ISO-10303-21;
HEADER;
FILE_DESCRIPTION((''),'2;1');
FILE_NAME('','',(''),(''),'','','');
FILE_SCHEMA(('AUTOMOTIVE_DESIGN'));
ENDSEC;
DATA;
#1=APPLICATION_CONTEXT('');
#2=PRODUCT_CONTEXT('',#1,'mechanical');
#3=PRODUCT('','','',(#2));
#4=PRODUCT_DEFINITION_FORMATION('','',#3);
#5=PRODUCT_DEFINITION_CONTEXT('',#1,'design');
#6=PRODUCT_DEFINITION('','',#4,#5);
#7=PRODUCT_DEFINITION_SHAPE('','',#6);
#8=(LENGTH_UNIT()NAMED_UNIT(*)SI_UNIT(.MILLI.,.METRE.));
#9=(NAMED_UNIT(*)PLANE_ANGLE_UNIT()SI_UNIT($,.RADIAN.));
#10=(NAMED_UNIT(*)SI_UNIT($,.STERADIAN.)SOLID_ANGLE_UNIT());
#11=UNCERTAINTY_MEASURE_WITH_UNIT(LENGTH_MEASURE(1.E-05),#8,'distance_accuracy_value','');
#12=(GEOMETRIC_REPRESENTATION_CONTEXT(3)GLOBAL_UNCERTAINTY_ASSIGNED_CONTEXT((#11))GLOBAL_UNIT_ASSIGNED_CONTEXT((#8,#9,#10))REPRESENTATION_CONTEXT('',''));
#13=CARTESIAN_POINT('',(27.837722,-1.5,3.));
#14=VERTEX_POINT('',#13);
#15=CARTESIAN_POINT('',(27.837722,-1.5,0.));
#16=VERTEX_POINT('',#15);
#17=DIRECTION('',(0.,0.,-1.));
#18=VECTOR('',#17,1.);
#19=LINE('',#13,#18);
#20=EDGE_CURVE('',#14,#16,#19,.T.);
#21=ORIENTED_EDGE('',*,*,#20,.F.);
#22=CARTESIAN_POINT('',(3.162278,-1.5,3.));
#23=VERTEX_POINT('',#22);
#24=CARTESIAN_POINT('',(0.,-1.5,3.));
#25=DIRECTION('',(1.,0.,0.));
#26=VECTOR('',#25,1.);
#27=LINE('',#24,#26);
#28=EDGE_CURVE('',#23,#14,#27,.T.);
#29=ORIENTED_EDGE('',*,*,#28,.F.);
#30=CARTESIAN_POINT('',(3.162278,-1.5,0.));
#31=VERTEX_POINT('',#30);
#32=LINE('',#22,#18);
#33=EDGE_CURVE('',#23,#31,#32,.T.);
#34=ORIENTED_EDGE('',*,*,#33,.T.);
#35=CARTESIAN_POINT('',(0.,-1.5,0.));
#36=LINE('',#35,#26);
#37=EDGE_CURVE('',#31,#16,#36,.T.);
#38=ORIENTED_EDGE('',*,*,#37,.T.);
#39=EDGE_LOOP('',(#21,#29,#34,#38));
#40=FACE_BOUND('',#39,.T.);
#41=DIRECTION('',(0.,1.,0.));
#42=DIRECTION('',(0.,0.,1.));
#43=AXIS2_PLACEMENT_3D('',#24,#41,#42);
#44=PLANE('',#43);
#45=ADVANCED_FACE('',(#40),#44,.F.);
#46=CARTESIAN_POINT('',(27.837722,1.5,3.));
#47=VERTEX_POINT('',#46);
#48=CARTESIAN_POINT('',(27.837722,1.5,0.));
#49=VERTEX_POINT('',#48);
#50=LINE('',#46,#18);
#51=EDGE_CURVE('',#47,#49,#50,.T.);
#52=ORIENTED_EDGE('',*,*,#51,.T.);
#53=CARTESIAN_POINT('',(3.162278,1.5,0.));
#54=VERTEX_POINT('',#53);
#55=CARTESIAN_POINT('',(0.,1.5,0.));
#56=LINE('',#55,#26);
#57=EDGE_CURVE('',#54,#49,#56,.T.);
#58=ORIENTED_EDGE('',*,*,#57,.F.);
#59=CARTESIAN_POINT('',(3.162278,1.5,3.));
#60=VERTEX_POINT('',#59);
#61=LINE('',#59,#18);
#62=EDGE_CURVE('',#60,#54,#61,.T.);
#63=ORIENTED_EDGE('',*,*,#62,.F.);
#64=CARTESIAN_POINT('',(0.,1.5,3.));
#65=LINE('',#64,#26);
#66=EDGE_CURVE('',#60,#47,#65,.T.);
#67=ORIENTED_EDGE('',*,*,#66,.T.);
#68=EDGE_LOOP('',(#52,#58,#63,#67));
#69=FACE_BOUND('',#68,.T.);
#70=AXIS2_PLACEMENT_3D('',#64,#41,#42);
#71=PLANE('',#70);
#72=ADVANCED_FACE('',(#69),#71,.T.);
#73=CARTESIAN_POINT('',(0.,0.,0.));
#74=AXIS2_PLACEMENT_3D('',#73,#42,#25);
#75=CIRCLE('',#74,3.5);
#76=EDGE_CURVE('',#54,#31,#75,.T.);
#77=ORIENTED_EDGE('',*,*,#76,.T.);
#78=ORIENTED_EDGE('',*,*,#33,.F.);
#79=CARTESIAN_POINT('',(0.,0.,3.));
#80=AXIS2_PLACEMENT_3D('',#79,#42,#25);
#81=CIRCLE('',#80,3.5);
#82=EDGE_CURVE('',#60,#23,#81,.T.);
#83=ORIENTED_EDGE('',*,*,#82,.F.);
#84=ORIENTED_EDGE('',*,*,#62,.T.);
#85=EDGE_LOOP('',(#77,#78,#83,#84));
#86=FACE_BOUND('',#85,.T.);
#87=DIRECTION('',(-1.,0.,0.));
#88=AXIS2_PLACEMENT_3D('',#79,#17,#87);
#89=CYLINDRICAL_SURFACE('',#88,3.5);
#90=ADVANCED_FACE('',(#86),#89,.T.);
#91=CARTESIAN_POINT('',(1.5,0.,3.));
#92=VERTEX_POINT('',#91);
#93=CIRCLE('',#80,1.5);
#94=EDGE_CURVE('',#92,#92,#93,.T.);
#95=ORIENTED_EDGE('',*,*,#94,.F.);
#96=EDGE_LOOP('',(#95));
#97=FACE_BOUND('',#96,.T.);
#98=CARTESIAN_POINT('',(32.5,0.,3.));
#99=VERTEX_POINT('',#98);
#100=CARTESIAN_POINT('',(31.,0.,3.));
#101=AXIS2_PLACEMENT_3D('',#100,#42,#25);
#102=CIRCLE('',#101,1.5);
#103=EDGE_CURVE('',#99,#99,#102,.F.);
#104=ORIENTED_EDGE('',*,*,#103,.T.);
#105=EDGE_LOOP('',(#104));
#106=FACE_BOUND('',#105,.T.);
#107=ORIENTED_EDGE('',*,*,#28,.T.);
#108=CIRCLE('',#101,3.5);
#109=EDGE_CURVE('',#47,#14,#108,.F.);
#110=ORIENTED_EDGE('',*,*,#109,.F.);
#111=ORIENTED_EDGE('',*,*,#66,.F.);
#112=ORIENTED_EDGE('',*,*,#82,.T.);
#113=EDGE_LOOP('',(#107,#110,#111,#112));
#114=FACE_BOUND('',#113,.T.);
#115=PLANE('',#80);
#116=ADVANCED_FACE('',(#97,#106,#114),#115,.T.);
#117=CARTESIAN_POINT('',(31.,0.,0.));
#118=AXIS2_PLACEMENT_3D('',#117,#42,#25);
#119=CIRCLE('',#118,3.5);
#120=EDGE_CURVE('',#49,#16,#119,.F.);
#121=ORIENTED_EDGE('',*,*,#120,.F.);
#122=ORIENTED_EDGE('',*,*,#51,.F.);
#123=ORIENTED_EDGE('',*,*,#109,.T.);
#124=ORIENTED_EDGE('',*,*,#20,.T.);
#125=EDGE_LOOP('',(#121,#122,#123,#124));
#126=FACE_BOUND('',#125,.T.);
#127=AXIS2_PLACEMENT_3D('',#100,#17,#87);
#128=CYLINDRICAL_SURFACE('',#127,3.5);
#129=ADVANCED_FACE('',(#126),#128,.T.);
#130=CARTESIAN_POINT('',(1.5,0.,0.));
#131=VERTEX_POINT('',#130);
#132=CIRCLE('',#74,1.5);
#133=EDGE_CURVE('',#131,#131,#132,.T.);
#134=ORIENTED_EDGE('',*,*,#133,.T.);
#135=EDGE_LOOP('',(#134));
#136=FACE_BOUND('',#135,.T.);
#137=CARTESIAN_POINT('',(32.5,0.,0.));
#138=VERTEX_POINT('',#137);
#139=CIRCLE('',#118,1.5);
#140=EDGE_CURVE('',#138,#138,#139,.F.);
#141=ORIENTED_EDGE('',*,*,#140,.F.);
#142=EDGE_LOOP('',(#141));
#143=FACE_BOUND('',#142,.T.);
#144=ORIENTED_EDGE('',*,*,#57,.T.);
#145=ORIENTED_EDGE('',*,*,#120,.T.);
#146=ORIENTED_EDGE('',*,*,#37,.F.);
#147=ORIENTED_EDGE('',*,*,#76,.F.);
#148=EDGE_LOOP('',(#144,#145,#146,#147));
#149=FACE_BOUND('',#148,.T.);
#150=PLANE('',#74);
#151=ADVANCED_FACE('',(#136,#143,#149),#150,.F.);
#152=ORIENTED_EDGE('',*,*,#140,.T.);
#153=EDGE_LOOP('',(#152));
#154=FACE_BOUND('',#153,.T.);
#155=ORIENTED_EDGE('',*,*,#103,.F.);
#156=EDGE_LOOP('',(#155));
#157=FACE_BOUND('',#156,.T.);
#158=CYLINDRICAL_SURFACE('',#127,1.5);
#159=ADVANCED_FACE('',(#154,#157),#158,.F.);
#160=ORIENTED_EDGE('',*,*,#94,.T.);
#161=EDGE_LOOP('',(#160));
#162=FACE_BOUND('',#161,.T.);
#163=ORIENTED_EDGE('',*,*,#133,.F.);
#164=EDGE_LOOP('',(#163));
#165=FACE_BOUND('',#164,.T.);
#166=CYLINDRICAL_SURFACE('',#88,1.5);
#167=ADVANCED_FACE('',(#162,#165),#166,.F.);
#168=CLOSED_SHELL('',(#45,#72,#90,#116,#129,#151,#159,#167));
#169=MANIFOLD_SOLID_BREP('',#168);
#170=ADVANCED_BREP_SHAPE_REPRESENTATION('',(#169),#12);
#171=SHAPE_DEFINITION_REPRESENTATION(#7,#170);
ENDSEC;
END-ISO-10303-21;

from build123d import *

# Parameters (mm, degrees)
SKETCH_1_R      = 1.5
EXTRUDE_1_DEPTH = 3


with BuildPart() as part:
    # 草图1 → 凸台-拉伸1 (new body)
    with BuildSketch(Plane.XY):
        with BuildLine():
            ThreePointArc((3.16227766, 1.5), (-3.5, 0), (3.16227766, -1.5))
            Line((3.16227766, -1.5), (3.16227766, 1.5))
        make_face()
        Circle(SKETCH_1_R, mode=Mode.SUBTRACT)
        with BuildLine():
            ThreePointArc((3.5, 0), (3.414525722, -0.768774411), (3.16227766, -1.5))
            Line((3.16227766, -1.5), (27.83772234, -1.5))
            ThreePointArc((27.83772234, -1.5), (27.5, 0), (27.83772234, 1.5))
            Line((27.83772234, 1.5), (3.16227766, 1.5))
            ThreePointArc((3.16227766, 1.5), (3.414525722, 0.768774411), (3.5, 0))
        make_face()
        with BuildLine():
            Line((27.83772234, 1.5), (27.83772234, -1.5))
            ThreePointArc((27.83772234, -1.5), (31.768774411, -3.414525722), (34.5, 0))
            ThreePointArc((34.5, 0), (31.768774411, 3.414525722), (27.83772234, 1.5))
        make_face()
        with Locations((31, 0)):
            Circle(SKETCH_1_R, mode=Mode.SUBTRACT)
        with BuildLine():
            Line((3.16227766, 1.5), (3.16227766, -1.5))
            ThreePointArc((3.16227766, -1.5), (3.414525722, -0.768774411), (3.5, 0))
            ThreePointArc((3.5, 0), (3.414525722, 0.768774411), (3.16227766, 1.5))
        make_face()
        with BuildLine():
            ThreePointArc((27.83772234, 1.5), (27.5, 0), (27.83772234, -1.5))
            Line((27.83772234, -1.5), (27.83772234, 1.5))
        make_face()
    extrude(amount=EXTRUDE_1_DEPTH)


solid = part.part
